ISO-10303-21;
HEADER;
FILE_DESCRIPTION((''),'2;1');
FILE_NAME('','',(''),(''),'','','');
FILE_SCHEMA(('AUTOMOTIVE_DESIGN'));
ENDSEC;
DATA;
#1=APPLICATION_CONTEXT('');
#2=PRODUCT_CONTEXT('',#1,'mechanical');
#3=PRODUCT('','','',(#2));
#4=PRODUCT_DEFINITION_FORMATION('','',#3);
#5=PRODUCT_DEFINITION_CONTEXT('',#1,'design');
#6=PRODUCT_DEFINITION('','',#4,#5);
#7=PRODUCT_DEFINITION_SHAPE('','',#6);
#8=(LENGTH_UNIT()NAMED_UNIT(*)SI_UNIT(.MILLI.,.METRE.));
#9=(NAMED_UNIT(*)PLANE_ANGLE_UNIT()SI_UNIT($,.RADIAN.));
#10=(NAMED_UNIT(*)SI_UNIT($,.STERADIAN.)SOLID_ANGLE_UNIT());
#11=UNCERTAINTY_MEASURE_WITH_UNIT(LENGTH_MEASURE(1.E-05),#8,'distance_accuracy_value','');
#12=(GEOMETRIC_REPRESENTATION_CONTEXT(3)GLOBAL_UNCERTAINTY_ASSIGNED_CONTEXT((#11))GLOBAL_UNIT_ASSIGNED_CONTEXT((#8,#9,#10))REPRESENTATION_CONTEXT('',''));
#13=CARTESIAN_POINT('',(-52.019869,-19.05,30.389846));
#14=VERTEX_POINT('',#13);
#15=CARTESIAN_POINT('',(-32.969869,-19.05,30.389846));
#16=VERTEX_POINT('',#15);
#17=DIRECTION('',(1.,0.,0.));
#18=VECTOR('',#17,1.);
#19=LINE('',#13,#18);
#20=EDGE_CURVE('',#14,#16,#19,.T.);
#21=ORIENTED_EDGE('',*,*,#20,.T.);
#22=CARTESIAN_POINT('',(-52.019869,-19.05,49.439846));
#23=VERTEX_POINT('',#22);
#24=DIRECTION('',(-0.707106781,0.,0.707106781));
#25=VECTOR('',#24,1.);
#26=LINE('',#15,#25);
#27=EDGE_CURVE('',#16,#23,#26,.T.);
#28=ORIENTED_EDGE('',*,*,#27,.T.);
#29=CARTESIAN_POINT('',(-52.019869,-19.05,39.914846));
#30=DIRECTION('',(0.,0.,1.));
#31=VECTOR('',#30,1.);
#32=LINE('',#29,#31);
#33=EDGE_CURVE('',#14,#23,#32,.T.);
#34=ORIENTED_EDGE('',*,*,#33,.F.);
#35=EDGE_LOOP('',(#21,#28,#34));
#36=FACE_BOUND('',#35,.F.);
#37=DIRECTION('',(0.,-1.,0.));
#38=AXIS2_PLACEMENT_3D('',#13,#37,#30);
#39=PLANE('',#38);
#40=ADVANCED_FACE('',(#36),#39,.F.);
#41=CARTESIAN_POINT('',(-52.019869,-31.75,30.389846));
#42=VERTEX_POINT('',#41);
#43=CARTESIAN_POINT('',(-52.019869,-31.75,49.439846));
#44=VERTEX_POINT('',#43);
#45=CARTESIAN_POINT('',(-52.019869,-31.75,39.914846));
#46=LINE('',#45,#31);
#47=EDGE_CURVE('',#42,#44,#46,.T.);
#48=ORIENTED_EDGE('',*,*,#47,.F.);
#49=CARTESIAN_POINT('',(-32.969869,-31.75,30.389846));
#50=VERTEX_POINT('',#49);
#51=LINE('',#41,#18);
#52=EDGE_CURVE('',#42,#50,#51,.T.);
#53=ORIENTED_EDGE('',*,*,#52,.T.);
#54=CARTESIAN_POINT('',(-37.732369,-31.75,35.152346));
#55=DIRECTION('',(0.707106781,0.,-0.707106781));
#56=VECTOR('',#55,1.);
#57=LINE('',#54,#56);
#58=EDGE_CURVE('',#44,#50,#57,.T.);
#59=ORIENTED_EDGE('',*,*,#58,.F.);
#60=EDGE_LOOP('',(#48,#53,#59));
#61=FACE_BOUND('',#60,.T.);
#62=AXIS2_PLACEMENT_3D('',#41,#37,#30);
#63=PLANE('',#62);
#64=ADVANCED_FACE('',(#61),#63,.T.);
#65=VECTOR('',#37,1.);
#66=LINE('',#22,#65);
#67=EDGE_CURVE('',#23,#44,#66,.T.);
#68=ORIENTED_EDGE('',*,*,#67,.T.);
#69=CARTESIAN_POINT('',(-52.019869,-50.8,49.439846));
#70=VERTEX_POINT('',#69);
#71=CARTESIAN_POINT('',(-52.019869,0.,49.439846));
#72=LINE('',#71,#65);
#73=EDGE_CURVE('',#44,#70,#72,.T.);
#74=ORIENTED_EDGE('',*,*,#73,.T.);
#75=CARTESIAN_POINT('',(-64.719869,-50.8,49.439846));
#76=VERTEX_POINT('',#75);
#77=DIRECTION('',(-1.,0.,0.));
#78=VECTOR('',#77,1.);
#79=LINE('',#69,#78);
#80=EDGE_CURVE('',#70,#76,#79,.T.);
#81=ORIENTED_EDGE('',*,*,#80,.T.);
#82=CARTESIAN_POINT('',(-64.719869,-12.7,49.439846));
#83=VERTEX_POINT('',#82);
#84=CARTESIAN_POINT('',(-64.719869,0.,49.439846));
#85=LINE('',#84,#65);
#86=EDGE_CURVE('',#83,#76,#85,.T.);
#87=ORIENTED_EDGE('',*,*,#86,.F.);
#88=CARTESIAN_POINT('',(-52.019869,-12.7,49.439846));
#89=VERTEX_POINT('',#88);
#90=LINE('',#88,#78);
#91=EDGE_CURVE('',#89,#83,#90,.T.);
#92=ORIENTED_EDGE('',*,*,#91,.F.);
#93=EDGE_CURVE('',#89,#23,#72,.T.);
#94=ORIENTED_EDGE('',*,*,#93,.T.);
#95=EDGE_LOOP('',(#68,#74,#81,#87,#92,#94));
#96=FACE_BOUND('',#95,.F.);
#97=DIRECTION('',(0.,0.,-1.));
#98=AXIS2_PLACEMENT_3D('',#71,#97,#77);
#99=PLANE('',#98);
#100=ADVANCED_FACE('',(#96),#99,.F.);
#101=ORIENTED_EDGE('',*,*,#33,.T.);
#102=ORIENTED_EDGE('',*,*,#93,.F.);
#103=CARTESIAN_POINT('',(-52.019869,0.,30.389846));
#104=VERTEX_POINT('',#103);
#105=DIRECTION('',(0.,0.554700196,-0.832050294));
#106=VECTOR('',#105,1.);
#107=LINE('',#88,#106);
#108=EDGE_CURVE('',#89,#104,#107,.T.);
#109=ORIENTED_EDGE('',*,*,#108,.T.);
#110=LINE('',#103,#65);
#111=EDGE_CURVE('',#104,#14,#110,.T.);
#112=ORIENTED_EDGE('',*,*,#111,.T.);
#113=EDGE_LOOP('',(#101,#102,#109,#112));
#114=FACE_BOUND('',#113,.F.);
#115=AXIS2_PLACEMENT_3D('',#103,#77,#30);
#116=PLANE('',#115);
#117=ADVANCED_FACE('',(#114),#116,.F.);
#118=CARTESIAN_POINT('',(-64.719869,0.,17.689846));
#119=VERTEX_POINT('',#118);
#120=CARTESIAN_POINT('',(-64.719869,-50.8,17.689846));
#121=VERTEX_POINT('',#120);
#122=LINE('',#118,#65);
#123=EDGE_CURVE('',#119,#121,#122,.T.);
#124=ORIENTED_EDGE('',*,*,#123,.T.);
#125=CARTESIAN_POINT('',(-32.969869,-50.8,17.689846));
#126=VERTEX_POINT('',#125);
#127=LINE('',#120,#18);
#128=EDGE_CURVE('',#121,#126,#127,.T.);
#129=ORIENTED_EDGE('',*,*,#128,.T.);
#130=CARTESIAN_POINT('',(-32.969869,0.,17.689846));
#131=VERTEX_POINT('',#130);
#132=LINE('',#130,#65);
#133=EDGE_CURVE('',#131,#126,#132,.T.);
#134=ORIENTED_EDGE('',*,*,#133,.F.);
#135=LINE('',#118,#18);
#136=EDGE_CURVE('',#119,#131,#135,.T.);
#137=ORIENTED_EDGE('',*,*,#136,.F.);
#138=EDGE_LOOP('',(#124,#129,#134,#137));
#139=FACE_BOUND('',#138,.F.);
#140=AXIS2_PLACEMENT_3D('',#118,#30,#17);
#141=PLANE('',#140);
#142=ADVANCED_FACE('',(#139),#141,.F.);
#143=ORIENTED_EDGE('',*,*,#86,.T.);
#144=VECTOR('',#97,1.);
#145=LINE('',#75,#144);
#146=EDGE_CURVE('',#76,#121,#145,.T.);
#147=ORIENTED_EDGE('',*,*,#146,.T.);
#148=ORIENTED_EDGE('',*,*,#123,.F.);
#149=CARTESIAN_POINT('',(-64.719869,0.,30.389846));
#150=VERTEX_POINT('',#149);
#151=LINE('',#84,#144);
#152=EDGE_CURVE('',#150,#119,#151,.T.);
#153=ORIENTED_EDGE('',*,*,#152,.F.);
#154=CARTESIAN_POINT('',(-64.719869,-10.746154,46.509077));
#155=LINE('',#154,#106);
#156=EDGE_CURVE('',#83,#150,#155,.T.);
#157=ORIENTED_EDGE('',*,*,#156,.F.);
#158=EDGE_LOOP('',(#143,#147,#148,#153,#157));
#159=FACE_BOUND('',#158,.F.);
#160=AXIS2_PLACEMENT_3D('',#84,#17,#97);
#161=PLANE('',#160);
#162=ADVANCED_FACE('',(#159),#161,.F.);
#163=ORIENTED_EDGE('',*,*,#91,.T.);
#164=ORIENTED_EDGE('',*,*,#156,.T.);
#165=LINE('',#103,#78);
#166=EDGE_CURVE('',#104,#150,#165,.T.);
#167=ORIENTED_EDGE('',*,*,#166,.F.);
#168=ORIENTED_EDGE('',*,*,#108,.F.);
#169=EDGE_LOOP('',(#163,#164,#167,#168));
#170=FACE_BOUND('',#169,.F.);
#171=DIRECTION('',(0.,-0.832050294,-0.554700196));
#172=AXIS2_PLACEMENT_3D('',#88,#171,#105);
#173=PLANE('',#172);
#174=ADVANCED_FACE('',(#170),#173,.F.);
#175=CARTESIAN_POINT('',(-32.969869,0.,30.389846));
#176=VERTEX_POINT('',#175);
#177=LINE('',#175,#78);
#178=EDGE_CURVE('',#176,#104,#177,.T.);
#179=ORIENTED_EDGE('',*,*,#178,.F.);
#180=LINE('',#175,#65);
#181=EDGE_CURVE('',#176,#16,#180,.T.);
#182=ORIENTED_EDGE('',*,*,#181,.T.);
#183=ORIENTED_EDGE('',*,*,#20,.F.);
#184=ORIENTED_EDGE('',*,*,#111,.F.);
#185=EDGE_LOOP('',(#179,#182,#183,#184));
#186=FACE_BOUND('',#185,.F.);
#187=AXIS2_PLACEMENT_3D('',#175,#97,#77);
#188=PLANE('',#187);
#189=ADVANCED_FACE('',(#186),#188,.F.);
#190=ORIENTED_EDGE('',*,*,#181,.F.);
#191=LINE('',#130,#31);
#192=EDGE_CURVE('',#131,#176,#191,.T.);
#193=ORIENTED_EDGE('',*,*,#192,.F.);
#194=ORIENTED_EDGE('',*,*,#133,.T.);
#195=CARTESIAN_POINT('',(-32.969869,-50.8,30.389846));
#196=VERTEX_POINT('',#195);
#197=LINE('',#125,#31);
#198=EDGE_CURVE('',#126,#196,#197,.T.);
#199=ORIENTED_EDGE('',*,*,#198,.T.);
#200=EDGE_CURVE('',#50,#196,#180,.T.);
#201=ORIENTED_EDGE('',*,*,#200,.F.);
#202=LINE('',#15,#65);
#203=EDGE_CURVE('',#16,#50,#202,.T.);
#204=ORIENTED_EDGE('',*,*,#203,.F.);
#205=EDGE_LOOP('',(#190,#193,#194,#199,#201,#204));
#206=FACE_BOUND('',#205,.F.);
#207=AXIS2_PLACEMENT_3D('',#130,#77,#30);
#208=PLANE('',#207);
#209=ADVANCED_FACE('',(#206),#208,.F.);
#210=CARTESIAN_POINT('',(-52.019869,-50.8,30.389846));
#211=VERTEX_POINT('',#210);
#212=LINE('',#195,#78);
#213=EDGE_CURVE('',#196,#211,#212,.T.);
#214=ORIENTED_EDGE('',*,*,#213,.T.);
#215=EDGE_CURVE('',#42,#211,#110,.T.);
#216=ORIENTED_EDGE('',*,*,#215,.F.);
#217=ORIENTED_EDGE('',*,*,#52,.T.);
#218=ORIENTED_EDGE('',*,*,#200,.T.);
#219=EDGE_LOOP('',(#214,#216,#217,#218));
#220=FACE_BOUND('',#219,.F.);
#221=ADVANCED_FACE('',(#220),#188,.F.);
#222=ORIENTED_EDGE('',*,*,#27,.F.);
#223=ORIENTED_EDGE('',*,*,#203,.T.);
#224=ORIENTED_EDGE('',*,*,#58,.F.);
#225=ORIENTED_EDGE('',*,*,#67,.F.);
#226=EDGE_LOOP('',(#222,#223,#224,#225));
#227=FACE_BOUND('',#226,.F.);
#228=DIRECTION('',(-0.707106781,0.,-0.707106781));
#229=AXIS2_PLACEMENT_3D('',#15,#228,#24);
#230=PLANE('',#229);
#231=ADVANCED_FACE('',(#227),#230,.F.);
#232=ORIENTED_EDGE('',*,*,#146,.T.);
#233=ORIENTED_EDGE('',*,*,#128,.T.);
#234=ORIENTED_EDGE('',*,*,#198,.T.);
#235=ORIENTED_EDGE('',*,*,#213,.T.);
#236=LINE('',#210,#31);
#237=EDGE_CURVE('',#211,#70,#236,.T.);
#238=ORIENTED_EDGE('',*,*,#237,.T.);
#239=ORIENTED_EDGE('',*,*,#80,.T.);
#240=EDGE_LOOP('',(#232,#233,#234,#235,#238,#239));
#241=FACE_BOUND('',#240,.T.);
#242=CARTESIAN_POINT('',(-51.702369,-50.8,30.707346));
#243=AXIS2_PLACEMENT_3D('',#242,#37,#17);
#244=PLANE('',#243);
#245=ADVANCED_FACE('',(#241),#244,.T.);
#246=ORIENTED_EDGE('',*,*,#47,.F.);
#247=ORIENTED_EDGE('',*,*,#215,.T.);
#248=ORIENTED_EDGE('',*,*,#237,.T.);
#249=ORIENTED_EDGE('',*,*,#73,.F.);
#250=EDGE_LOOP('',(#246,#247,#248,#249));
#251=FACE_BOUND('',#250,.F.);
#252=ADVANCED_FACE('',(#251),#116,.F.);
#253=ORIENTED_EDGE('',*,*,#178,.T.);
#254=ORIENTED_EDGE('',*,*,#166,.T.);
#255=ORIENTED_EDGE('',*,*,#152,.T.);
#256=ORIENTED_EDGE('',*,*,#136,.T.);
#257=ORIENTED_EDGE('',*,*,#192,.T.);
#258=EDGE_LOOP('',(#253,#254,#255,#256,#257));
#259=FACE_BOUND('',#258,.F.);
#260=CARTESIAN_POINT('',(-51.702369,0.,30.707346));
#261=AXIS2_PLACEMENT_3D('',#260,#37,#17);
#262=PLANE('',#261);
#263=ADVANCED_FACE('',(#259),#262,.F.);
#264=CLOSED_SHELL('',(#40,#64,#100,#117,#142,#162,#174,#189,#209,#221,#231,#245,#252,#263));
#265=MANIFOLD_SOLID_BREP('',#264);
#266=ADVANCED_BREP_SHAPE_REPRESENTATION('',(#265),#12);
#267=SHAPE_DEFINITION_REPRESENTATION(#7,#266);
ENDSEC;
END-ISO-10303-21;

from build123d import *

# Parameters (mm, degrees)
F1_DEPTH = 50.8
F3_DEPTH = 25.4
F4_W     = 12.7
F4_H     = 19.05
F5_DEPTH = 19.05
F7_DEPTH = 31.751


with BuildPart() as f1:
    # F0 (on Front) → F1 (new body)
    with BuildSketch(Plane.XZ):
        Polygon((-52.019869, 49.439846), (-64.719869, 49.439846), (-64.719869, 17.689846), (-32.969869, 17.689846), (-32.969869, 30.389846), (-52.019869, 30.389846), align=None)
    extrude(amount=F1_DEPTH)

    # F2 (on face) → F3 (cut)
    with BuildSketch(Plane.YZ.offset(-52.019869)):
        Polygon((0, 49.439846), (-12.7, 49.439846), (0, 30.389846), align=None)
    extrude(amount=-F3_DEPTH, mode=Mode.SUBTRACT)

    # F4 (on face) → F5 (join)
    with BuildSketch(Plane.YZ.offset(-52.019869)):
        with Locations((-25.4, 39.914846)):
            Rectangle(F4_W, F4_H)
    extrude(amount=F5_DEPTH)

    # F6 (on face) → F7 (cut, through all)
    with BuildSketch(Plane(origin=(0, -19.05, 0), x_dir=(-1, 0, 0), z_dir=(0, 1, 0))):
        Polygon((32.969869, 30.389846), (52.019869, 49.439846), (32.969869, 49.439846), align=None)
    extrude(amount=-F7_DEPTH, mode=Mode.SUBTRACT)


solid = f1.part
